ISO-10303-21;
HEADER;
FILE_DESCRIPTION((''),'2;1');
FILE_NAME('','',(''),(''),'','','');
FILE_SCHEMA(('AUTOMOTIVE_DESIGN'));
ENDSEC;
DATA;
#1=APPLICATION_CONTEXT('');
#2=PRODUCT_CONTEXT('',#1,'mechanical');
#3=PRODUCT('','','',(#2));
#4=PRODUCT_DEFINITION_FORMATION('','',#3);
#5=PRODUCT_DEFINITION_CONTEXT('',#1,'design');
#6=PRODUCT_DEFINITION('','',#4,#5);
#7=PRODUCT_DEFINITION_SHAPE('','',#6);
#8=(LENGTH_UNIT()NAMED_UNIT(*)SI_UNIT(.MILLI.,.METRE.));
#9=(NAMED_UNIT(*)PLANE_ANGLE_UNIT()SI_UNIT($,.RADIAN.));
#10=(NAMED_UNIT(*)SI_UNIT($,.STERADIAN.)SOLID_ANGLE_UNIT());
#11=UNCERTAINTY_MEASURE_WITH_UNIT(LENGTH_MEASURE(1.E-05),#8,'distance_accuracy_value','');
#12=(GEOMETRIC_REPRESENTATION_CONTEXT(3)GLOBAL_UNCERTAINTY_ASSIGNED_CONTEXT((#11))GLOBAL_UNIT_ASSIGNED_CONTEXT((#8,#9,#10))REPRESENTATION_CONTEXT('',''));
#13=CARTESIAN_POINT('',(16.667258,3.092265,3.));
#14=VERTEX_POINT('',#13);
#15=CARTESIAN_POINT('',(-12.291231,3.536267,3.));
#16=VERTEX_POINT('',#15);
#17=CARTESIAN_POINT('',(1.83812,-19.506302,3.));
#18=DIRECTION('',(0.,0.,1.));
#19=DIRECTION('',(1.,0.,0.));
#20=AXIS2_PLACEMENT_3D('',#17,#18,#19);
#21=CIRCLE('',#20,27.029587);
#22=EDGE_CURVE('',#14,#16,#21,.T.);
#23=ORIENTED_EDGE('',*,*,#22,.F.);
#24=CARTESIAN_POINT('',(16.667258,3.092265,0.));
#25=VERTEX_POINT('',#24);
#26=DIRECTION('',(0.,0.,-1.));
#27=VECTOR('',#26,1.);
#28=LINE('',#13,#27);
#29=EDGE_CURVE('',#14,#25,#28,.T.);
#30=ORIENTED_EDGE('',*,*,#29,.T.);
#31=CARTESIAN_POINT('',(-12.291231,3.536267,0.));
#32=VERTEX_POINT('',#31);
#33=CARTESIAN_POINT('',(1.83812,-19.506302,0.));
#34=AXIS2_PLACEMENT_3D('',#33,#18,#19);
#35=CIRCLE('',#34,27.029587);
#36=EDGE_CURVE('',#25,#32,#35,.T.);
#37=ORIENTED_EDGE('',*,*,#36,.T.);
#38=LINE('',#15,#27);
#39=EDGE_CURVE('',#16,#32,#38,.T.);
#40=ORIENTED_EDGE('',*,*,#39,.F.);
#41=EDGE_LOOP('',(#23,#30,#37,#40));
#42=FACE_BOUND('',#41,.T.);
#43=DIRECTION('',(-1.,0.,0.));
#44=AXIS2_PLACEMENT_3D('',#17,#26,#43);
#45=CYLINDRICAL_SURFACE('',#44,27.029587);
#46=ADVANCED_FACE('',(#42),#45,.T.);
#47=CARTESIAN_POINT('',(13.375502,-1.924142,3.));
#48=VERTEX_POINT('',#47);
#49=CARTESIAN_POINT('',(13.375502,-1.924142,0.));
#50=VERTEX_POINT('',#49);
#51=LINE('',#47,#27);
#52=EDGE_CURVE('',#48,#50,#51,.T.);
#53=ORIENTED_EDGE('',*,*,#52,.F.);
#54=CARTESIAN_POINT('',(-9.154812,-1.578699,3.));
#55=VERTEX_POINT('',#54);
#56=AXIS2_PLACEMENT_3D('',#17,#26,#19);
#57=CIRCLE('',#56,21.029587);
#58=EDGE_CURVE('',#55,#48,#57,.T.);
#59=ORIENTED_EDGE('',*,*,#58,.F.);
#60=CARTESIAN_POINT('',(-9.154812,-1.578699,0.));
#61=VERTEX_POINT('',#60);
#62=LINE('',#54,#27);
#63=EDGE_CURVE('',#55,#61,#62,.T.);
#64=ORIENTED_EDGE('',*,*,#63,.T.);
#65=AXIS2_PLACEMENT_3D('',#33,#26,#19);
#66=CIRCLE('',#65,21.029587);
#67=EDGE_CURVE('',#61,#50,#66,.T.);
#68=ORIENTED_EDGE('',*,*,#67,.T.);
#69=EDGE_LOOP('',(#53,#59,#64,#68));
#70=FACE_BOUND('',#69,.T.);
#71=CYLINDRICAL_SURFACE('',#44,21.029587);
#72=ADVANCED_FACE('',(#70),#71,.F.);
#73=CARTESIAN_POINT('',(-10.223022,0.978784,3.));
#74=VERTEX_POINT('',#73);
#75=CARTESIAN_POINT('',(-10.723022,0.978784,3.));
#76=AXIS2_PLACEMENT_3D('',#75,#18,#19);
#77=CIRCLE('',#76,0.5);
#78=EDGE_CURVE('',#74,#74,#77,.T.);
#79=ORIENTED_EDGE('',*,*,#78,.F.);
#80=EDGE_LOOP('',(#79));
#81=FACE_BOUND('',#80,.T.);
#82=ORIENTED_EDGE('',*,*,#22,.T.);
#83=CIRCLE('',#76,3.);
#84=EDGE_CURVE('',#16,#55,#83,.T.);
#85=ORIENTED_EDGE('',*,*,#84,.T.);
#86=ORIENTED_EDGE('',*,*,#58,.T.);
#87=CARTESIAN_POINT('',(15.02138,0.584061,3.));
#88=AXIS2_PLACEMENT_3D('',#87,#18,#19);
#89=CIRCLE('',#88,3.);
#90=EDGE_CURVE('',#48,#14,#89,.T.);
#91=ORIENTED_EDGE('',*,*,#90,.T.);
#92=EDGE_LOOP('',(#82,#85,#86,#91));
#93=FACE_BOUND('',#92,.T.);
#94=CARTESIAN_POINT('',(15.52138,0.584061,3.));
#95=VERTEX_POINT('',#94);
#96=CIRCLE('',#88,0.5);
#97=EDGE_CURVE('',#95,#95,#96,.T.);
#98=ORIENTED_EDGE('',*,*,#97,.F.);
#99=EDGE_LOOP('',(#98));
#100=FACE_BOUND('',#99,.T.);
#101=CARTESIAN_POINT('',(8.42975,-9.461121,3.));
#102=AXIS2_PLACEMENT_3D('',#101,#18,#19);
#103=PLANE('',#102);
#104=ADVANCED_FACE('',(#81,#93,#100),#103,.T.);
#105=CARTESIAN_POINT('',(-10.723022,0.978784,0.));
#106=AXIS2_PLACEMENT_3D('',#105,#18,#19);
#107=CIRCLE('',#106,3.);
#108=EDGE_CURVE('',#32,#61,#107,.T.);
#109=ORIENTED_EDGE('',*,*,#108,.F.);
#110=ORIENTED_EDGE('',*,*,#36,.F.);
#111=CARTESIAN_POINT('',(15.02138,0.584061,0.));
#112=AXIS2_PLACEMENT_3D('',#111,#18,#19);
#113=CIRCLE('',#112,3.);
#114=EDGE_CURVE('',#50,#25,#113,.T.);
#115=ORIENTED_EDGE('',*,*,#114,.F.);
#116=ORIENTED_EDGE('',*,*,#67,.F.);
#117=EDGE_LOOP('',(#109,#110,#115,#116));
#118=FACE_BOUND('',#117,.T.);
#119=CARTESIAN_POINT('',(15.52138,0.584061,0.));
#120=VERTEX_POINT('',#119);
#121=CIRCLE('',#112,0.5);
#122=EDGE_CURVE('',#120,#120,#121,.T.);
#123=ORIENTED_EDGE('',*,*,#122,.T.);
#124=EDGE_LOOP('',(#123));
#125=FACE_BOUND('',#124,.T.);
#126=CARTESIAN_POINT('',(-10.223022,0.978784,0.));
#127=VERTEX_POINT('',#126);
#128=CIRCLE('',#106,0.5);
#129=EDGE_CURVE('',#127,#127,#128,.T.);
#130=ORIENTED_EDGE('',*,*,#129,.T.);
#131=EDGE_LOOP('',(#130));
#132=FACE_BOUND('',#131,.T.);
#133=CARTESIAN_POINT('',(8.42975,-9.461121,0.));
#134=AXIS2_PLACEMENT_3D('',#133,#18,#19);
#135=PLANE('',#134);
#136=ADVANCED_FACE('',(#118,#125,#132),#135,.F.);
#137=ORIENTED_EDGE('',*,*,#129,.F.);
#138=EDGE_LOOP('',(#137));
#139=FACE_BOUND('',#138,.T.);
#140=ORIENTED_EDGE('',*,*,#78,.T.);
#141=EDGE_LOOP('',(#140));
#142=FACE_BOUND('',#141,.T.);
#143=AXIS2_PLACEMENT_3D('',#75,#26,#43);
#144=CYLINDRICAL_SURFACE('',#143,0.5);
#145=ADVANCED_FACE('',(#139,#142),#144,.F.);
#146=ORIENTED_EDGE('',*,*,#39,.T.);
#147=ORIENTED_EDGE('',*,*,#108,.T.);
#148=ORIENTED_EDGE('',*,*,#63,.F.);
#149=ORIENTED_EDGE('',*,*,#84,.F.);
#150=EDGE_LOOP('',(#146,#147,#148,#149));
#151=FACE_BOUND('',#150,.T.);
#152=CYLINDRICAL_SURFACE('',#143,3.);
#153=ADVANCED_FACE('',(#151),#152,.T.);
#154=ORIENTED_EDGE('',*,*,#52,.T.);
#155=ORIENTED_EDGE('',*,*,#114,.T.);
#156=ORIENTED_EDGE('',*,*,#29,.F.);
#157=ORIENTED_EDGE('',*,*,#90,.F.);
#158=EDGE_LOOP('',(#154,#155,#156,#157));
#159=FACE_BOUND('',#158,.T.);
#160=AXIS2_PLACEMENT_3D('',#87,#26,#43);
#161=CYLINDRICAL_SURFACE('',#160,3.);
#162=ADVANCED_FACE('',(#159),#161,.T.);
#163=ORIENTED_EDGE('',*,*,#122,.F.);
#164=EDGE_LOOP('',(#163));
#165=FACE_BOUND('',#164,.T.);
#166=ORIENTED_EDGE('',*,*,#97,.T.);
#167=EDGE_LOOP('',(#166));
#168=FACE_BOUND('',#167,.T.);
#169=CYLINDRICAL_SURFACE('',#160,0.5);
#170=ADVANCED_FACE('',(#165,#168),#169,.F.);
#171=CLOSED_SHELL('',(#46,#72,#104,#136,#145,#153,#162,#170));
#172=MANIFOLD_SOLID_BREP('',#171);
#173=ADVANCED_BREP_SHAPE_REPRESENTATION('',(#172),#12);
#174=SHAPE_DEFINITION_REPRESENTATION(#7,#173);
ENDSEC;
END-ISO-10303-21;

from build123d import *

# Parameters (mm, degrees)
SKETCH1_R           = 0.5
BOSS_EXTRUDE1_DEPTH = 3


with BuildPart() as part:
    # Sketch1 → Boss-Extrude1 (new body)
    with BuildSketch(Plane.XY):
        with BuildLine():
            ThreePointArc((16.667258487, 3.092264578), (2.252499278, 7.520108125), (-12.291231068, 3.536267122))
            ThreePointArc((-12.291231068, 3.536267122), (-13.280504589, -0.589425292), (-9.154812174, -1.578698813))
            ThreePointArc((-9.154812174, -1.578698813), (2.160515814, 1.520813246), (13.375501545, -1.924142128))
            ThreePointArc((13.375501545, -1.924142128), (17.529583369, -1.061817246), (16.667258487, 3.092264578))
        make_face()
        with Locations((-10.723021621, 0.978784155)):
            Circle(SKETCH1_R, mode=Mode.SUBTRACT)
        with Locations((15.021380016, 0.584061225)):
            Circle(SKETCH1_R, mode=Mode.SUBTRACT)
    extrude(amount=BOSS_EXTRUDE1_DEPTH)


solid = part.part
